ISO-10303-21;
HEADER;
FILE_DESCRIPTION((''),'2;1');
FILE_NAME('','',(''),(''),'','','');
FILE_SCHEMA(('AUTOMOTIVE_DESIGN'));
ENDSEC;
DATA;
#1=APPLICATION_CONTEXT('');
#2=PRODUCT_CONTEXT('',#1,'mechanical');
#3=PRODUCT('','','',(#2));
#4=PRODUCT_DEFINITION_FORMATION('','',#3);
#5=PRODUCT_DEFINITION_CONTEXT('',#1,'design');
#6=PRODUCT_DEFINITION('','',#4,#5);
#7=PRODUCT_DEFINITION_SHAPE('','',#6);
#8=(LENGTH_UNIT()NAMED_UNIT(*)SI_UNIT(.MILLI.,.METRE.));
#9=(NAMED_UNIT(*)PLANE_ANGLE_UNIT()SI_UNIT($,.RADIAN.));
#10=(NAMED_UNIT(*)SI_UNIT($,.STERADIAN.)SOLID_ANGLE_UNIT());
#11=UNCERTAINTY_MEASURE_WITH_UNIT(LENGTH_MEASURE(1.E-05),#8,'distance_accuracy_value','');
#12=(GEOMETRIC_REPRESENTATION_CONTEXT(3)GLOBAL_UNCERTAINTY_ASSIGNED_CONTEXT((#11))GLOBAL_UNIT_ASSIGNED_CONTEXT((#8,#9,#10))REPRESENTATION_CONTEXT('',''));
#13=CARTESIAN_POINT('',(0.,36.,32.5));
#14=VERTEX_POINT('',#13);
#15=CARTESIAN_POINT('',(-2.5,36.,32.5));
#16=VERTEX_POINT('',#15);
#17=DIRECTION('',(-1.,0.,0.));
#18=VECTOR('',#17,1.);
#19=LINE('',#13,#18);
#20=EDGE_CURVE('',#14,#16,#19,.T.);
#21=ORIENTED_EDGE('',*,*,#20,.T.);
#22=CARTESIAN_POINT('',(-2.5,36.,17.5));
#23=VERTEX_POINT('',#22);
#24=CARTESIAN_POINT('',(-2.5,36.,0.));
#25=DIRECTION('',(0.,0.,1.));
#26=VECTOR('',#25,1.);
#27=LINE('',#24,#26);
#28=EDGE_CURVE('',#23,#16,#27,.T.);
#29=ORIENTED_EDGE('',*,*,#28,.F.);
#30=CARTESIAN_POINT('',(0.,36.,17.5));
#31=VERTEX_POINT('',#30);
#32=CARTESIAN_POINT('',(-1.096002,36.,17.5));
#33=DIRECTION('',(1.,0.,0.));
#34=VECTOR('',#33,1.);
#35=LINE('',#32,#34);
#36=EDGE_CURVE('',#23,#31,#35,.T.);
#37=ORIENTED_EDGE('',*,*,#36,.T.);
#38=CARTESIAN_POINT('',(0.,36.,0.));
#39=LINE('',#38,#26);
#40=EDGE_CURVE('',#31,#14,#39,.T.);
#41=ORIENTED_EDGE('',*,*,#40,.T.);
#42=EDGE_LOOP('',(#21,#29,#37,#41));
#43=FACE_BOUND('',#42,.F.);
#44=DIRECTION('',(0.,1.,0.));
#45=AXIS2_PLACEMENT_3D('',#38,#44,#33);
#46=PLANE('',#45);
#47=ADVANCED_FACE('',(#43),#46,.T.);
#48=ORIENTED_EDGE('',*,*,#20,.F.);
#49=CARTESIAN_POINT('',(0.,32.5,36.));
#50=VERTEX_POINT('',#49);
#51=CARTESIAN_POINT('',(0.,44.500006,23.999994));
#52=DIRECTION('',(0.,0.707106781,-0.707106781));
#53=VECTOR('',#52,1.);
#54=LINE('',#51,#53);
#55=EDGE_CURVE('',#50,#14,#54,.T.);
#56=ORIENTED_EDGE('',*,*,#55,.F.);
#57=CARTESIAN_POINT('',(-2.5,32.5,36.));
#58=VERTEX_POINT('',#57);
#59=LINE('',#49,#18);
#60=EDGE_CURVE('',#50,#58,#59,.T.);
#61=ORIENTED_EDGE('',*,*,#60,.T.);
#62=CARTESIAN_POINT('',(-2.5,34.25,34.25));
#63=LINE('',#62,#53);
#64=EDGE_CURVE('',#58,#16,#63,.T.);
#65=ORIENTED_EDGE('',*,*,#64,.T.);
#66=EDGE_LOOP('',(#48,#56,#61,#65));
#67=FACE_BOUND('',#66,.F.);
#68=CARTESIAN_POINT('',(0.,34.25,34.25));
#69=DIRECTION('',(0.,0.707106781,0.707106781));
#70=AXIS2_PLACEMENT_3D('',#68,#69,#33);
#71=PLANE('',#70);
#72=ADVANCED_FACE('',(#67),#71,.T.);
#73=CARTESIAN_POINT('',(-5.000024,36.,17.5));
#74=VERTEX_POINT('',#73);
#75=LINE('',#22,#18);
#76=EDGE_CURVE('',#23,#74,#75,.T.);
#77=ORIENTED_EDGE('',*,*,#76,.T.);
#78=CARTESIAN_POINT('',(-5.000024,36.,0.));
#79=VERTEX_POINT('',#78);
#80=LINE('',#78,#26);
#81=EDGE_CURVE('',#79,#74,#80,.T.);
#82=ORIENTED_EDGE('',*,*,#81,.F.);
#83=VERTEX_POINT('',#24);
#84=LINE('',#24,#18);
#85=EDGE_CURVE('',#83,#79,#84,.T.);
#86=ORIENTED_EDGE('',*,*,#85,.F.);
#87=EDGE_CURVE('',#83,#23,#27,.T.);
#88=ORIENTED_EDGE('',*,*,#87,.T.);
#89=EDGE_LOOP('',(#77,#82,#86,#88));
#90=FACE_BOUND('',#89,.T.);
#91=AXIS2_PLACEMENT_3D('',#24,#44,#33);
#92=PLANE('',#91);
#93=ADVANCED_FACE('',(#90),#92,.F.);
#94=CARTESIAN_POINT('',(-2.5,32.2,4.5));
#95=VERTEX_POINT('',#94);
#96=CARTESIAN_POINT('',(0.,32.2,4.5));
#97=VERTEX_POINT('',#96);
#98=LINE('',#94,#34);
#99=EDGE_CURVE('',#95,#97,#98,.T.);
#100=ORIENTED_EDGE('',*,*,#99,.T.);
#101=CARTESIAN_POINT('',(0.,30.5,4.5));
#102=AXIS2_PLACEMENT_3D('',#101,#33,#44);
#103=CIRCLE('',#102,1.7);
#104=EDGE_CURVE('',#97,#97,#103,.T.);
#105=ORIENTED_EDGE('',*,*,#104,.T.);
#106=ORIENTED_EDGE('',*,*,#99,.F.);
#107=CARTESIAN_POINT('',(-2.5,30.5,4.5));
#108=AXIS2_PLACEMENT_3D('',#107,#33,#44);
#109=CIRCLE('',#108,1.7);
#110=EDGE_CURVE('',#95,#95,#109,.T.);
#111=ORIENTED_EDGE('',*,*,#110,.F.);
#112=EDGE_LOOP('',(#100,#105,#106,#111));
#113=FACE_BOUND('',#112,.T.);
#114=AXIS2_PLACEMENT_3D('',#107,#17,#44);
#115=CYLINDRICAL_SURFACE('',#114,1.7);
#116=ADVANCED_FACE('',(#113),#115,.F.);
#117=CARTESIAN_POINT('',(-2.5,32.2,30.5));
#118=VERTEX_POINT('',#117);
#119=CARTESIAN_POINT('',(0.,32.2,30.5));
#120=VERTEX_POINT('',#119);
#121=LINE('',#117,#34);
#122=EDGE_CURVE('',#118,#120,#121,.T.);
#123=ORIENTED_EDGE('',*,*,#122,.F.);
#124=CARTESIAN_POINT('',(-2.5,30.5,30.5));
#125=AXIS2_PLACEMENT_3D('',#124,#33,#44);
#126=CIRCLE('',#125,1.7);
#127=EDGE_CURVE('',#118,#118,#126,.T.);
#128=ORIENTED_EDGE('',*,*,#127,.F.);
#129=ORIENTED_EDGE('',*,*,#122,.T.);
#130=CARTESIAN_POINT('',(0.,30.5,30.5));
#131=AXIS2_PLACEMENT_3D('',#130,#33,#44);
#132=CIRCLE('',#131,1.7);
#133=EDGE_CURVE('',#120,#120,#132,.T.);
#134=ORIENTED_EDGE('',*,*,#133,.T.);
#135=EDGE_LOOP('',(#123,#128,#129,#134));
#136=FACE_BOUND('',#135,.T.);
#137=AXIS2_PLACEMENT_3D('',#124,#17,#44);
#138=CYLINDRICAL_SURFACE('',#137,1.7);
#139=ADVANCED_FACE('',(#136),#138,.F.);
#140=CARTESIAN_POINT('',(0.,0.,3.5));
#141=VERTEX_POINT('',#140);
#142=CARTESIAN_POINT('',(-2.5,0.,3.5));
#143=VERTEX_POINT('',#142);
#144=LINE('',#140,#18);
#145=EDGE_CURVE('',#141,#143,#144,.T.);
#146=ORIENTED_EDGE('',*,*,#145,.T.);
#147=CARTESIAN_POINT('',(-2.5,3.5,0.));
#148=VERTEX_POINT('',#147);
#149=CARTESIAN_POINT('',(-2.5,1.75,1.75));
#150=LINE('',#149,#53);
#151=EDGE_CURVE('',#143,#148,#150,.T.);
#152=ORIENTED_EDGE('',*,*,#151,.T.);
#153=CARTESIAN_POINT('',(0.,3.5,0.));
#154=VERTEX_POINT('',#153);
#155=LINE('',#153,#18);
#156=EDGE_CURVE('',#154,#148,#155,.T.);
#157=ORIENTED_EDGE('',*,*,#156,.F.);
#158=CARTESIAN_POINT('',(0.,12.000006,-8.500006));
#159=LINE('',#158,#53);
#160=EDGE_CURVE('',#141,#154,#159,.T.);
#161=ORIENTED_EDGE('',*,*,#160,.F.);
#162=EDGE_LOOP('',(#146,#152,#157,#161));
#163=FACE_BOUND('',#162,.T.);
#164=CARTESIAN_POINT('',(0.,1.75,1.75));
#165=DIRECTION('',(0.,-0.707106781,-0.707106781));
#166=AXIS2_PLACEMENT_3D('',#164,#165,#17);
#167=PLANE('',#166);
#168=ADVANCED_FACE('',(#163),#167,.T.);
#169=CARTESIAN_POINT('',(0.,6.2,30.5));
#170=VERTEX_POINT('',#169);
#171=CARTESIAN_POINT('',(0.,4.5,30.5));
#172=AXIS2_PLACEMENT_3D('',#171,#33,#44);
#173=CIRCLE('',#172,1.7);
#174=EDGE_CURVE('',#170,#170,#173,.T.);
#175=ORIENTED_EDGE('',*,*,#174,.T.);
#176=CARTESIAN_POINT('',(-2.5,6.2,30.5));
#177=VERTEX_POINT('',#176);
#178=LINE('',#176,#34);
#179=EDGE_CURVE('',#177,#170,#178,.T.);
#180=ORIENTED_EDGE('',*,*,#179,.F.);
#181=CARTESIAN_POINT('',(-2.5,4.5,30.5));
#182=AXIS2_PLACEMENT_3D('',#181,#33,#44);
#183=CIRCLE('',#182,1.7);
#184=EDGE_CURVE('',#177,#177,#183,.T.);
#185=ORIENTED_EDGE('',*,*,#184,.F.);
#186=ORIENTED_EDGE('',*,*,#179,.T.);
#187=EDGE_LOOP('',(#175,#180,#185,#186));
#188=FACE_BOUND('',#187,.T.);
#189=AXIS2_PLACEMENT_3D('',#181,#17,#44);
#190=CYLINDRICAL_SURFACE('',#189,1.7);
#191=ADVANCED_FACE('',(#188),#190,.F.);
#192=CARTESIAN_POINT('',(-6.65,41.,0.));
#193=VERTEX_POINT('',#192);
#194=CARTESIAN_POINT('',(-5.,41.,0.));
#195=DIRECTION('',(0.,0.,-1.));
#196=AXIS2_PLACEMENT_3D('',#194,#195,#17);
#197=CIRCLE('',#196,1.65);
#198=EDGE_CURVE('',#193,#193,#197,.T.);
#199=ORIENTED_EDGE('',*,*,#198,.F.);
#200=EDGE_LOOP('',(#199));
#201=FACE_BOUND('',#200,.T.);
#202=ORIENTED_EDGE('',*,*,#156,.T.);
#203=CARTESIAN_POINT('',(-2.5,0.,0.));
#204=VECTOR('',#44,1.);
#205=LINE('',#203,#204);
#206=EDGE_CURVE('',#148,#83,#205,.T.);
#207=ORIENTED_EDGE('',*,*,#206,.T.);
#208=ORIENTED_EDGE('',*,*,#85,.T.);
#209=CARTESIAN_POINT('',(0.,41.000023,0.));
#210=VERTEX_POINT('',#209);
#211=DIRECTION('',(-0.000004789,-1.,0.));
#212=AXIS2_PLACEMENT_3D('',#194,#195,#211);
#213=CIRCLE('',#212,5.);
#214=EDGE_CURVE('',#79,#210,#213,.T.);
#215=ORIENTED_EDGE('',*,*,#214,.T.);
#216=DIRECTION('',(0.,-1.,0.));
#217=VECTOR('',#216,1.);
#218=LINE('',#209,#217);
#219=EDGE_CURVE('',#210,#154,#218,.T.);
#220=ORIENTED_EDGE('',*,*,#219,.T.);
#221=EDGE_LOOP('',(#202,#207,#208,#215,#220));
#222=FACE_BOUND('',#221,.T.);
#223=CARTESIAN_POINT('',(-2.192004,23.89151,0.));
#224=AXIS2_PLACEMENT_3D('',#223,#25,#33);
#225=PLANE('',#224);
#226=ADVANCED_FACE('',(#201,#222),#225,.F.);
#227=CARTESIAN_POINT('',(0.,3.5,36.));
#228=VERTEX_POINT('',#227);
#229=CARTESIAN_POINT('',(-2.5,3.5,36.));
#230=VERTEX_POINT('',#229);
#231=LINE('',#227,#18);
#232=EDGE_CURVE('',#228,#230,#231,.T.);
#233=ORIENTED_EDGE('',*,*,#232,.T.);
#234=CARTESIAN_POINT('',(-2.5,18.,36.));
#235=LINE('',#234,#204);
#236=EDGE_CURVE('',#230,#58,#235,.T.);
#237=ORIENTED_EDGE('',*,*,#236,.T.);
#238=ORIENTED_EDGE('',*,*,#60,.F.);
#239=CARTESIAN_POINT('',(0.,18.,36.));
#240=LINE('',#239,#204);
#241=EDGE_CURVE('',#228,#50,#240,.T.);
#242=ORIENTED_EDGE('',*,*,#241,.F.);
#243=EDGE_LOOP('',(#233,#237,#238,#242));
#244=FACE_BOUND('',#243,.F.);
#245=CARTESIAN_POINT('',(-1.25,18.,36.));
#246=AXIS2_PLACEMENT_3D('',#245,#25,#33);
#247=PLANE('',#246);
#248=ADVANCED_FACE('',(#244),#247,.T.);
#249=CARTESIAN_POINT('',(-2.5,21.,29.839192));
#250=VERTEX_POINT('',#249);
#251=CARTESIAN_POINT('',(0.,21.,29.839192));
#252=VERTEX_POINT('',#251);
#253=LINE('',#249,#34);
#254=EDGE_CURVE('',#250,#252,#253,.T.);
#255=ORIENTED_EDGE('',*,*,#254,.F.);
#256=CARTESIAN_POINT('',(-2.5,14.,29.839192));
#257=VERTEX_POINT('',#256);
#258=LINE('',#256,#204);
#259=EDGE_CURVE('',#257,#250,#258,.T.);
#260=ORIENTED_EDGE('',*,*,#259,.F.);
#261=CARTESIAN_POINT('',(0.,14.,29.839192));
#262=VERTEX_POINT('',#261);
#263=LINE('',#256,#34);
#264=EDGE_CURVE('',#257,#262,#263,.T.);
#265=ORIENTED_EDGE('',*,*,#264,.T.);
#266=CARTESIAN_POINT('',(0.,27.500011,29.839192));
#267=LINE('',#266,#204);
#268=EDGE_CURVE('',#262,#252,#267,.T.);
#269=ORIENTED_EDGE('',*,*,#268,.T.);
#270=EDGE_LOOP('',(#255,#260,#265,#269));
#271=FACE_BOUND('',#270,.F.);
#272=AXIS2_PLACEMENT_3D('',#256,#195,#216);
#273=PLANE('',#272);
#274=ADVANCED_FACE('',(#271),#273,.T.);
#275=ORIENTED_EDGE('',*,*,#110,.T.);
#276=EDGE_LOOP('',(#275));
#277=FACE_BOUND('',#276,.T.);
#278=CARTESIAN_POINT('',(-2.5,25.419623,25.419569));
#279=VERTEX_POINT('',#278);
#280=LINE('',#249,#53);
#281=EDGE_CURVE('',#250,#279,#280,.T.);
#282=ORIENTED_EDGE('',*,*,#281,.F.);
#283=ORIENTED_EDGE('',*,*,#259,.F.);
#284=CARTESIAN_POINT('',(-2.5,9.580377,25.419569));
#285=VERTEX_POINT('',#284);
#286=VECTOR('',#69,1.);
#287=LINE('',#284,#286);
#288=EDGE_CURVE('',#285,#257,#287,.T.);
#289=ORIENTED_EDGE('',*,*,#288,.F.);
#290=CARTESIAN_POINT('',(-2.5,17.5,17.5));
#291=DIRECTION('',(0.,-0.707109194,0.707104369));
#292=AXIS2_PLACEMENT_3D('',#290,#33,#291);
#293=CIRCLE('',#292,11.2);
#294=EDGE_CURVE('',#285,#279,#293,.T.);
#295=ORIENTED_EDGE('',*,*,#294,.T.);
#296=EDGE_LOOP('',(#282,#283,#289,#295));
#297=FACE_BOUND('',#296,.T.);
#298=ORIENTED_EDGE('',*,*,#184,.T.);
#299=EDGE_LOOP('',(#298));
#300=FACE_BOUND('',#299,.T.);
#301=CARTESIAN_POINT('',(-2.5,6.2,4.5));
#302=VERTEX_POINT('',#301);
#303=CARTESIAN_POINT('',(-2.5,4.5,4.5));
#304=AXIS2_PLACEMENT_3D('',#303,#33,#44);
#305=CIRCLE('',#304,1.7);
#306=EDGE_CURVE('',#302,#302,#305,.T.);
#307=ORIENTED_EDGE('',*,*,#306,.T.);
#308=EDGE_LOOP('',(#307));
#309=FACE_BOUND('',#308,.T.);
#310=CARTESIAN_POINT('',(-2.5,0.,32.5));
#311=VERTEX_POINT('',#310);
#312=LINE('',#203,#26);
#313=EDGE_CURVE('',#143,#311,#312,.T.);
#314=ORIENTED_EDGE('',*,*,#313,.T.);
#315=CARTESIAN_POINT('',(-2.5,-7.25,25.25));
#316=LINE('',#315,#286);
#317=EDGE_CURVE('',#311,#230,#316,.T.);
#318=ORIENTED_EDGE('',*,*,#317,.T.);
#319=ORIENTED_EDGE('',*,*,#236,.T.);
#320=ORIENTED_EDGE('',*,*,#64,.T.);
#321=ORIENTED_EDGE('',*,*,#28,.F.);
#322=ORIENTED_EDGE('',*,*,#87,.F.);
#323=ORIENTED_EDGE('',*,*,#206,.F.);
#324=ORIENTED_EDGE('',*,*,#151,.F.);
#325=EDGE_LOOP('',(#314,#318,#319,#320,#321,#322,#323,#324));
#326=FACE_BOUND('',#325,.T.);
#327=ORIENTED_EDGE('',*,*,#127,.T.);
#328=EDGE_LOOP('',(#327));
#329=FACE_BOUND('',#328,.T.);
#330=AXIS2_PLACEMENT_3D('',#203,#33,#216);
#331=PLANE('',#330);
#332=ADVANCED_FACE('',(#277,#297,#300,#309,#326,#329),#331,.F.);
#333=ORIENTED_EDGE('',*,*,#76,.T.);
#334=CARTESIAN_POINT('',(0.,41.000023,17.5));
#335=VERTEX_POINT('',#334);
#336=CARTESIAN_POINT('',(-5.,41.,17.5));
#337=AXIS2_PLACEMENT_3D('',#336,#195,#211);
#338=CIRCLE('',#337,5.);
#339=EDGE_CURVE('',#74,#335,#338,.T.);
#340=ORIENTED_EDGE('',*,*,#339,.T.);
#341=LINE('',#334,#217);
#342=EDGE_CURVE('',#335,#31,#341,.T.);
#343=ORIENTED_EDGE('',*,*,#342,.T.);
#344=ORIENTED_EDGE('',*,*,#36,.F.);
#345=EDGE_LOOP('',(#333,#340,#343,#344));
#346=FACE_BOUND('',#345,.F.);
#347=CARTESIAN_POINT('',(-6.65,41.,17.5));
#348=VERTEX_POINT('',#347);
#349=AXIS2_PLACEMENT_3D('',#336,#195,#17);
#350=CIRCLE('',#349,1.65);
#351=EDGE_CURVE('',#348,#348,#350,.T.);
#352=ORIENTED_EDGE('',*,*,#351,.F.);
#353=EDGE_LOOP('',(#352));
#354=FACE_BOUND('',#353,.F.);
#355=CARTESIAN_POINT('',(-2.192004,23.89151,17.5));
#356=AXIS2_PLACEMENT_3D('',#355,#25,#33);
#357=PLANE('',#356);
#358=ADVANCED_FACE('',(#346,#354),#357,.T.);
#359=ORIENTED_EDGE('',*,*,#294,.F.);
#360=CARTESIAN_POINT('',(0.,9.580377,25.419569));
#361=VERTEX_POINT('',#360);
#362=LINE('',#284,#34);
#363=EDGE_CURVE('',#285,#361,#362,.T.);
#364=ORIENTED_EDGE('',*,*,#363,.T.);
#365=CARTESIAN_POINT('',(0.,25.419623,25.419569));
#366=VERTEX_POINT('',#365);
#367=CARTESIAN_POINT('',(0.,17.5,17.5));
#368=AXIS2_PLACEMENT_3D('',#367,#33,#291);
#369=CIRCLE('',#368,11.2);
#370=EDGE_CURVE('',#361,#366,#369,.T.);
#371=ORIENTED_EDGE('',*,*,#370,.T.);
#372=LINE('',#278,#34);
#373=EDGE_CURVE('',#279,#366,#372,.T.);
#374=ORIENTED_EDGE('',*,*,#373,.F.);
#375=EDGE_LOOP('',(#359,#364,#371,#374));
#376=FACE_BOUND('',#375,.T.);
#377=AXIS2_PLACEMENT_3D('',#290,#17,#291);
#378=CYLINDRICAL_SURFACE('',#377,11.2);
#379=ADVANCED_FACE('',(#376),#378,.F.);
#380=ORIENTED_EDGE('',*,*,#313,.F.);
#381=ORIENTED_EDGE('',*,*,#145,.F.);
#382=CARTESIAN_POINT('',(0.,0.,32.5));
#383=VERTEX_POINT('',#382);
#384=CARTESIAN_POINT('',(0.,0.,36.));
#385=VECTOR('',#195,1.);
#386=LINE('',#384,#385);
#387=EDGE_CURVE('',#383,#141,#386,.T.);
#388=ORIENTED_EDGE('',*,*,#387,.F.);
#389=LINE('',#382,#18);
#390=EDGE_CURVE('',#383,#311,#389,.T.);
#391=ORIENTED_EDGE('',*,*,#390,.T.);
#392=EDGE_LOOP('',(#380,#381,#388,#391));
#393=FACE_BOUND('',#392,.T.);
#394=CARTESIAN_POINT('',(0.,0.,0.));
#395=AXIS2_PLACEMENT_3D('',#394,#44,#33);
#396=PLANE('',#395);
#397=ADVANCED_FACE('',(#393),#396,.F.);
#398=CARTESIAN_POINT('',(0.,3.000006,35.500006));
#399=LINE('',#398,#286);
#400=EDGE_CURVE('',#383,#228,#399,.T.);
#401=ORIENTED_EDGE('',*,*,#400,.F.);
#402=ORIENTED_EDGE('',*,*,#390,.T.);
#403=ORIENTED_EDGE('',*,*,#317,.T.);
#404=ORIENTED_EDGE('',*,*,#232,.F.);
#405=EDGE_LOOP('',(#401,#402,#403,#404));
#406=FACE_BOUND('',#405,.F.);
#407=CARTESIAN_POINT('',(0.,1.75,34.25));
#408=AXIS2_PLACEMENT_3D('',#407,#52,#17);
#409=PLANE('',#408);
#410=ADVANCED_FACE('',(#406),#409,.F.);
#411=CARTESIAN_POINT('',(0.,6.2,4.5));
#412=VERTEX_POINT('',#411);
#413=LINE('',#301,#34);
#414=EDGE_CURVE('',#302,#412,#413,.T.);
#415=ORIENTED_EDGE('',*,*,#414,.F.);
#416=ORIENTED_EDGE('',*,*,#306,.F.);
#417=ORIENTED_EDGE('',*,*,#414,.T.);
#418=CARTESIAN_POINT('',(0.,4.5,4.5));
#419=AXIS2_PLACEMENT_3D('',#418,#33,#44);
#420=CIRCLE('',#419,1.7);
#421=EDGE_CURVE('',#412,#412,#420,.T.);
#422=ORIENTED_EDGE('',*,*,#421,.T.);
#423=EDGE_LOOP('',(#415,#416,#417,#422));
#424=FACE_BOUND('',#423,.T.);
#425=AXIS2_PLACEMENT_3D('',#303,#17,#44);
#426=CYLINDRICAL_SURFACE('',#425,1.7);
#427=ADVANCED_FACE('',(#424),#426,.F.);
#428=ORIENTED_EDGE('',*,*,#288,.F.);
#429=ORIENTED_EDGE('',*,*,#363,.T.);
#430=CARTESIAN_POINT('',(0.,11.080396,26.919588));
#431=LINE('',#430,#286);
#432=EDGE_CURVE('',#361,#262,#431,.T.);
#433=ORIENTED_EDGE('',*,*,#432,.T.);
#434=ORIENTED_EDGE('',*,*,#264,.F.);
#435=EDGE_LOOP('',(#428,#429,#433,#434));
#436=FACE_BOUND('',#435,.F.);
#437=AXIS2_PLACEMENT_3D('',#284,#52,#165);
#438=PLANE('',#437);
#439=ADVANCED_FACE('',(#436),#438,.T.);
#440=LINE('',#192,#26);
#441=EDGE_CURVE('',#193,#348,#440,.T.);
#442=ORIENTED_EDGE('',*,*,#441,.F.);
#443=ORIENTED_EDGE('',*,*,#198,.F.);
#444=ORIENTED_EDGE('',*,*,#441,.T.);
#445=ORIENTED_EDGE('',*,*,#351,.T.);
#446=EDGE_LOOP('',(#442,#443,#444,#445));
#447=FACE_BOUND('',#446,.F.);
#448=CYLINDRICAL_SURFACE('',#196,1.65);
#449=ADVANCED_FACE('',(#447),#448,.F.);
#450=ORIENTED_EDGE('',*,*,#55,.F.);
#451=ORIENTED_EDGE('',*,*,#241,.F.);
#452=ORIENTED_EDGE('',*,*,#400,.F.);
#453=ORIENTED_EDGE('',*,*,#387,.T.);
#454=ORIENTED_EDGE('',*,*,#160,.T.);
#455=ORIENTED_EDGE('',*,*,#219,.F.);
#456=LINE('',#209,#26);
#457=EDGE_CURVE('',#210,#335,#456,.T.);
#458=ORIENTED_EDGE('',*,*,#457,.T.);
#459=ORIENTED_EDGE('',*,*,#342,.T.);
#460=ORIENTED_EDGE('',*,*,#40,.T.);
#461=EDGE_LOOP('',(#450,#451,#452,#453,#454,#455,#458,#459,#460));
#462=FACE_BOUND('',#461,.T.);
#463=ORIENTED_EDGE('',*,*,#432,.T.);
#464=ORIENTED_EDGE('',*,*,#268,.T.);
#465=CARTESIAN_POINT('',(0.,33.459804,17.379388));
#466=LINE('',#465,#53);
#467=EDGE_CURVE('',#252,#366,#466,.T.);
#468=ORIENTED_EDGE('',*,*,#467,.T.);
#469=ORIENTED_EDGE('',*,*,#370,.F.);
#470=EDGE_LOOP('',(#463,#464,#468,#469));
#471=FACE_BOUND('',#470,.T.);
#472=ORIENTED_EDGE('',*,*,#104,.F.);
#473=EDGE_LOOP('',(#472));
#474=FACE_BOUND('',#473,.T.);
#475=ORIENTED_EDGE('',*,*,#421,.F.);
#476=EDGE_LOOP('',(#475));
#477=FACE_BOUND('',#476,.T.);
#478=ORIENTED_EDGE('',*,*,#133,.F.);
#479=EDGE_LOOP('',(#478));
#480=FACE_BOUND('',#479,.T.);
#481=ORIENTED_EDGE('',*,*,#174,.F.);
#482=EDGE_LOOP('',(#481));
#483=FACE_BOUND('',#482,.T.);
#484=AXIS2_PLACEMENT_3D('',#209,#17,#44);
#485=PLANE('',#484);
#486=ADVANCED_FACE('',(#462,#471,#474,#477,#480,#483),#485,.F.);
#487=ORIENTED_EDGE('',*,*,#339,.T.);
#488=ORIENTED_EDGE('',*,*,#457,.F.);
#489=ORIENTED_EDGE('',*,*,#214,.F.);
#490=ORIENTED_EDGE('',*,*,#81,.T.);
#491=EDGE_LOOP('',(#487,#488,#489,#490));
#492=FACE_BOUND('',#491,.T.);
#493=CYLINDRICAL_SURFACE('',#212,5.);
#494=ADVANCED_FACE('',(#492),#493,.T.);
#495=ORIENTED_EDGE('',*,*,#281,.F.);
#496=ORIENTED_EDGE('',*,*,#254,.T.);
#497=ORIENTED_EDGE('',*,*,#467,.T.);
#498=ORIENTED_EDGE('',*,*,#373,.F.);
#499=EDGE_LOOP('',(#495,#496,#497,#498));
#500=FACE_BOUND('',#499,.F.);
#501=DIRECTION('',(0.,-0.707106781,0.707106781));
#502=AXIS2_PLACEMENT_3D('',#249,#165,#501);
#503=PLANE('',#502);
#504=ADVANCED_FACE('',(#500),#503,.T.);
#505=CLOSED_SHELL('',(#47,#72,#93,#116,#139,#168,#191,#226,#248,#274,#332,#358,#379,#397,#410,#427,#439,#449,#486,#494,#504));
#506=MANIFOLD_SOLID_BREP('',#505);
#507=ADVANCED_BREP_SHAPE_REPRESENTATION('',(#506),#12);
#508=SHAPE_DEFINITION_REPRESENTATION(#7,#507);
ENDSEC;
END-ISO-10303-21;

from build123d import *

# Parameters (mm, degrees)
BOX_W        = 2.5
BOX_H        = 36
BOX_DEPTH    = 36
SKETCH_R     = 1.65
PAD_DEPTH    = 17.5
SKETCH001_R  = 1.7
POCKET_DEPTH = 5
CHAMFER_SIZE = 3.5


with BuildPart() as cubo:
    # Box → Box (new body)
    with BuildSketch(Plane.XY):
        with Locations((1.25, 18)):
            Rectangle(BOX_W, BOX_H)
    extrude(amount=BOX_DEPTH)


with BuildPart() as chamfer_body:
    # Sketch → Pad (new body)
    with BuildSketch(Plane.XY):
        with BuildLine():
            Line((0, 0), (2.5, 0))
            Line((2.5, 0), (2.5, 36))
            Line((2.5, 36), (5.000024, 36))
            ThreePointArc((5.000024, 36), (8.535534, 44.535534), (0, 41.000023))
            Line((0, 41.000023), (0, 0))
        make_face()
        with Locations((5, 41)):
            Circle(SKETCH_R, mode=Mode.SUBTRACT)
    extrude(amount=PAD_DEPTH)

    # Fusion: union Cubo
    add(cubo.part)

    # Sketch001 → Pocket (cut)
    with BuildSketch(Plane.YZ.offset(2.5)):
        with Locations((4.5, 30.5)):
            Circle(SKETCH001_R)
        with Locations((30.5, 30.5)):
            Circle(SKETCH001_R)
        with Locations((30.5, 4.5)):
            Circle(SKETCH001_R)
        with Locations((4.5, 4.5)):
            Circle(SKETCH001_R)
        with BuildLine():
            Line((9.580377, 25.419569), (14, 29.839192))
            Line((14, 29.839192), (21, 29.839192))
            Line((21, 29.839192), (25.419623, 25.419569))
            ThreePointArc((9.580377, 25.419569), (17.5, 6.3), (25.419623, 25.419569))
        make_face()
    extrude(amount=-POCKET_DEPTH, mode=Mode.SUBTRACT)

    # Chamfer
    chamfer_edges = [chamfer_body.edges().sort_by_distance(p)[0] for p in [
        (1.25, 36, 36),
        (1.25, 0, 36),
        (1.25, 0, 0),
    ]]
    chamfer(chamfer_edges, length=CHAMFER_SIZE)


with BuildPart() as part_mirroring:
    # Part__Mirroring: instance of Chamfer body
    add(chamfer_body.part.mirror(Plane(origin=(0, 0, 0), x_dir=(0, -1, 0), z_dir=(1, 0, 0))))


solid = part_mirroring.part
